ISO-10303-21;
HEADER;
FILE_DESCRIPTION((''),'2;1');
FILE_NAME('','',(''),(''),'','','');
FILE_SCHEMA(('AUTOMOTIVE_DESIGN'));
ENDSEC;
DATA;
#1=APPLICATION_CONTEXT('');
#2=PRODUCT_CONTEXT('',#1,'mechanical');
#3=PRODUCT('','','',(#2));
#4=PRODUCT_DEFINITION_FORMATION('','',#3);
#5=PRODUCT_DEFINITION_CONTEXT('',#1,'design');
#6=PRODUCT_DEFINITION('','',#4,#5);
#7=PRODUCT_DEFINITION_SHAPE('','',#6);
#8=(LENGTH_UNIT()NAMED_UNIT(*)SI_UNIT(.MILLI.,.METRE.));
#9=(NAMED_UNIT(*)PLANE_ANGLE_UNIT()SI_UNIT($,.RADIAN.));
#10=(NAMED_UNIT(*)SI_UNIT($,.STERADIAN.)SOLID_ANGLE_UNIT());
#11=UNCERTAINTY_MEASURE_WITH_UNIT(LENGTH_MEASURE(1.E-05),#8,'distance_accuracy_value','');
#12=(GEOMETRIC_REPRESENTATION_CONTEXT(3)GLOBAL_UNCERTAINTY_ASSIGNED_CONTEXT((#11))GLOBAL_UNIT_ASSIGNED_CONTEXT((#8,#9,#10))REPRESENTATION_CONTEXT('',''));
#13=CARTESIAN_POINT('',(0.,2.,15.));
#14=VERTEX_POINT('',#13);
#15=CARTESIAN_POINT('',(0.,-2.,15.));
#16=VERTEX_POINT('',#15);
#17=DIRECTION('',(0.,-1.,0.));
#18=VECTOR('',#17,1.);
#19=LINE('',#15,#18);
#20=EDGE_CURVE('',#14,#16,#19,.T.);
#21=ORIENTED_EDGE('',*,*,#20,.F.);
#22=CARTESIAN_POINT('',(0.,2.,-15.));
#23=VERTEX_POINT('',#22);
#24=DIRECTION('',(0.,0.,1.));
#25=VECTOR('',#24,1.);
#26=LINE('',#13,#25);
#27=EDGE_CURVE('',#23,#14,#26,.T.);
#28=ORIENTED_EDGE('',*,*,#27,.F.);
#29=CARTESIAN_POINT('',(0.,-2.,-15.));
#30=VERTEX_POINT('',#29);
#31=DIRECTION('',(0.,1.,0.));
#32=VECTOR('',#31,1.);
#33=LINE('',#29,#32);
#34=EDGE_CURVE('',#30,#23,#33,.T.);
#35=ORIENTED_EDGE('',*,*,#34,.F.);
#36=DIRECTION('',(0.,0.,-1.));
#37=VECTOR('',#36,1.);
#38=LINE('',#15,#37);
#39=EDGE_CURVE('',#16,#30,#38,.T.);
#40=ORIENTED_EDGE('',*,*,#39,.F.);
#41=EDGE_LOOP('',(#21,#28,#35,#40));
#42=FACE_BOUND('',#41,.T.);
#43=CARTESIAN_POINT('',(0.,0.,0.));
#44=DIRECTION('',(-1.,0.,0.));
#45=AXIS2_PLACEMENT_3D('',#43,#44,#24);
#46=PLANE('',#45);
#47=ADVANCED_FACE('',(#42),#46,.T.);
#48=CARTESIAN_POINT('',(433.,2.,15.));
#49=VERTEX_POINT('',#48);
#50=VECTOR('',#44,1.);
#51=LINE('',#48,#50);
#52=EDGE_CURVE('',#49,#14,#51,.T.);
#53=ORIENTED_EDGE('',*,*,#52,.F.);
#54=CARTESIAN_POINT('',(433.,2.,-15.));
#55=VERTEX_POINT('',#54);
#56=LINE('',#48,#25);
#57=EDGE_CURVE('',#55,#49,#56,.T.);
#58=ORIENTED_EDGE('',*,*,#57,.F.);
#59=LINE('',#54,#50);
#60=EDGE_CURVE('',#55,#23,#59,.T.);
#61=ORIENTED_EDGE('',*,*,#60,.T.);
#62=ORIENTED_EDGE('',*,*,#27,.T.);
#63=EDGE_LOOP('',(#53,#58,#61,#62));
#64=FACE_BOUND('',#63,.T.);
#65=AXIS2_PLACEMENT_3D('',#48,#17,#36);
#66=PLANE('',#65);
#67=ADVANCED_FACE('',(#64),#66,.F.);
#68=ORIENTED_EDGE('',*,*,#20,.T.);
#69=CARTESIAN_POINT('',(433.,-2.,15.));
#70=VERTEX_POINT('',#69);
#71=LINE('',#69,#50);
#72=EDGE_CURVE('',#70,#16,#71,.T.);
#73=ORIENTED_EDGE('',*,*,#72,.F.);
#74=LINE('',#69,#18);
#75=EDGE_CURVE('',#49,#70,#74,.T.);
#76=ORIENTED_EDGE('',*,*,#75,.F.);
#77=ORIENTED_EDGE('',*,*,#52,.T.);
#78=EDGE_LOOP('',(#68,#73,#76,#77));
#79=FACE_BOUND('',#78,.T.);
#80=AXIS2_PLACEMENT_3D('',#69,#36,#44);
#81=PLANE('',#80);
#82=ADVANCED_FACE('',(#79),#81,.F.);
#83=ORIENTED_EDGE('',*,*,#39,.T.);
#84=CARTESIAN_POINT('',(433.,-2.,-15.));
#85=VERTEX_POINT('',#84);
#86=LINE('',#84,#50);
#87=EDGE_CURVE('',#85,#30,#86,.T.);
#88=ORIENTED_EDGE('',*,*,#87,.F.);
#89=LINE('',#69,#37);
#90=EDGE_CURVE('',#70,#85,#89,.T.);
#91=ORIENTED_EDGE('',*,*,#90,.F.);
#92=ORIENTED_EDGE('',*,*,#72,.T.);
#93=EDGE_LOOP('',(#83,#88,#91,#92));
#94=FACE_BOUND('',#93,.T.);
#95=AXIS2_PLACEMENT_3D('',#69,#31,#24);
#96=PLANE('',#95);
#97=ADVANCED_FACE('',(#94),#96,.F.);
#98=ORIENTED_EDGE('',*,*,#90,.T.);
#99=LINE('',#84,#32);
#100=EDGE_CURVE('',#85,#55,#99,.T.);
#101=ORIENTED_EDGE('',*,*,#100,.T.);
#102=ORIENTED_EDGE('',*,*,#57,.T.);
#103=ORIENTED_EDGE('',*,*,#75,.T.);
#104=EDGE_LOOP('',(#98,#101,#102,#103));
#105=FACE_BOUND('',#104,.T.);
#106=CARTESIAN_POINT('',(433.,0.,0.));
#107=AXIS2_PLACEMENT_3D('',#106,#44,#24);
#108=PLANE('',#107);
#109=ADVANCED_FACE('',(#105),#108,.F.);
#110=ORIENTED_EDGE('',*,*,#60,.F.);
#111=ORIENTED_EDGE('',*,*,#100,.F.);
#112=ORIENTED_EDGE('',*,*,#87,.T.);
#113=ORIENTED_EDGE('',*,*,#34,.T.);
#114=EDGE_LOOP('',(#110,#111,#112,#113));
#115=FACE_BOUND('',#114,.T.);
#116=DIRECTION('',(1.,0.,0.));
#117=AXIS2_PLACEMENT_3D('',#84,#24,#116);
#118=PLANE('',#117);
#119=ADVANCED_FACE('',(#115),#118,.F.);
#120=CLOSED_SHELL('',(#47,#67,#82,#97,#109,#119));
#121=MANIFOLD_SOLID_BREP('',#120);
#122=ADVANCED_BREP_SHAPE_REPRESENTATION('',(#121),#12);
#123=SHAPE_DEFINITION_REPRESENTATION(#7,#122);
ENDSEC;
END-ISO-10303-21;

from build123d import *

# Parameters (mm, degrees)
SKETCH_1_W      = 30
SKETCH_1_H      = 4
EXTRUDE_1_DEPTH = 433


with BuildPart() as part:
    # Эскиз1 → Бобышка-Вытянуть1 (new body)
    with BuildSketch(Plane(origin=(0, 0, 0), x_dir=(0, 0, -1), z_dir=(1, 0, 0))):
        Rectangle(SKETCH_1_W, SKETCH_1_H)
    extrude(amount=EXTRUDE_1_DEPTH)


solid = part.part
